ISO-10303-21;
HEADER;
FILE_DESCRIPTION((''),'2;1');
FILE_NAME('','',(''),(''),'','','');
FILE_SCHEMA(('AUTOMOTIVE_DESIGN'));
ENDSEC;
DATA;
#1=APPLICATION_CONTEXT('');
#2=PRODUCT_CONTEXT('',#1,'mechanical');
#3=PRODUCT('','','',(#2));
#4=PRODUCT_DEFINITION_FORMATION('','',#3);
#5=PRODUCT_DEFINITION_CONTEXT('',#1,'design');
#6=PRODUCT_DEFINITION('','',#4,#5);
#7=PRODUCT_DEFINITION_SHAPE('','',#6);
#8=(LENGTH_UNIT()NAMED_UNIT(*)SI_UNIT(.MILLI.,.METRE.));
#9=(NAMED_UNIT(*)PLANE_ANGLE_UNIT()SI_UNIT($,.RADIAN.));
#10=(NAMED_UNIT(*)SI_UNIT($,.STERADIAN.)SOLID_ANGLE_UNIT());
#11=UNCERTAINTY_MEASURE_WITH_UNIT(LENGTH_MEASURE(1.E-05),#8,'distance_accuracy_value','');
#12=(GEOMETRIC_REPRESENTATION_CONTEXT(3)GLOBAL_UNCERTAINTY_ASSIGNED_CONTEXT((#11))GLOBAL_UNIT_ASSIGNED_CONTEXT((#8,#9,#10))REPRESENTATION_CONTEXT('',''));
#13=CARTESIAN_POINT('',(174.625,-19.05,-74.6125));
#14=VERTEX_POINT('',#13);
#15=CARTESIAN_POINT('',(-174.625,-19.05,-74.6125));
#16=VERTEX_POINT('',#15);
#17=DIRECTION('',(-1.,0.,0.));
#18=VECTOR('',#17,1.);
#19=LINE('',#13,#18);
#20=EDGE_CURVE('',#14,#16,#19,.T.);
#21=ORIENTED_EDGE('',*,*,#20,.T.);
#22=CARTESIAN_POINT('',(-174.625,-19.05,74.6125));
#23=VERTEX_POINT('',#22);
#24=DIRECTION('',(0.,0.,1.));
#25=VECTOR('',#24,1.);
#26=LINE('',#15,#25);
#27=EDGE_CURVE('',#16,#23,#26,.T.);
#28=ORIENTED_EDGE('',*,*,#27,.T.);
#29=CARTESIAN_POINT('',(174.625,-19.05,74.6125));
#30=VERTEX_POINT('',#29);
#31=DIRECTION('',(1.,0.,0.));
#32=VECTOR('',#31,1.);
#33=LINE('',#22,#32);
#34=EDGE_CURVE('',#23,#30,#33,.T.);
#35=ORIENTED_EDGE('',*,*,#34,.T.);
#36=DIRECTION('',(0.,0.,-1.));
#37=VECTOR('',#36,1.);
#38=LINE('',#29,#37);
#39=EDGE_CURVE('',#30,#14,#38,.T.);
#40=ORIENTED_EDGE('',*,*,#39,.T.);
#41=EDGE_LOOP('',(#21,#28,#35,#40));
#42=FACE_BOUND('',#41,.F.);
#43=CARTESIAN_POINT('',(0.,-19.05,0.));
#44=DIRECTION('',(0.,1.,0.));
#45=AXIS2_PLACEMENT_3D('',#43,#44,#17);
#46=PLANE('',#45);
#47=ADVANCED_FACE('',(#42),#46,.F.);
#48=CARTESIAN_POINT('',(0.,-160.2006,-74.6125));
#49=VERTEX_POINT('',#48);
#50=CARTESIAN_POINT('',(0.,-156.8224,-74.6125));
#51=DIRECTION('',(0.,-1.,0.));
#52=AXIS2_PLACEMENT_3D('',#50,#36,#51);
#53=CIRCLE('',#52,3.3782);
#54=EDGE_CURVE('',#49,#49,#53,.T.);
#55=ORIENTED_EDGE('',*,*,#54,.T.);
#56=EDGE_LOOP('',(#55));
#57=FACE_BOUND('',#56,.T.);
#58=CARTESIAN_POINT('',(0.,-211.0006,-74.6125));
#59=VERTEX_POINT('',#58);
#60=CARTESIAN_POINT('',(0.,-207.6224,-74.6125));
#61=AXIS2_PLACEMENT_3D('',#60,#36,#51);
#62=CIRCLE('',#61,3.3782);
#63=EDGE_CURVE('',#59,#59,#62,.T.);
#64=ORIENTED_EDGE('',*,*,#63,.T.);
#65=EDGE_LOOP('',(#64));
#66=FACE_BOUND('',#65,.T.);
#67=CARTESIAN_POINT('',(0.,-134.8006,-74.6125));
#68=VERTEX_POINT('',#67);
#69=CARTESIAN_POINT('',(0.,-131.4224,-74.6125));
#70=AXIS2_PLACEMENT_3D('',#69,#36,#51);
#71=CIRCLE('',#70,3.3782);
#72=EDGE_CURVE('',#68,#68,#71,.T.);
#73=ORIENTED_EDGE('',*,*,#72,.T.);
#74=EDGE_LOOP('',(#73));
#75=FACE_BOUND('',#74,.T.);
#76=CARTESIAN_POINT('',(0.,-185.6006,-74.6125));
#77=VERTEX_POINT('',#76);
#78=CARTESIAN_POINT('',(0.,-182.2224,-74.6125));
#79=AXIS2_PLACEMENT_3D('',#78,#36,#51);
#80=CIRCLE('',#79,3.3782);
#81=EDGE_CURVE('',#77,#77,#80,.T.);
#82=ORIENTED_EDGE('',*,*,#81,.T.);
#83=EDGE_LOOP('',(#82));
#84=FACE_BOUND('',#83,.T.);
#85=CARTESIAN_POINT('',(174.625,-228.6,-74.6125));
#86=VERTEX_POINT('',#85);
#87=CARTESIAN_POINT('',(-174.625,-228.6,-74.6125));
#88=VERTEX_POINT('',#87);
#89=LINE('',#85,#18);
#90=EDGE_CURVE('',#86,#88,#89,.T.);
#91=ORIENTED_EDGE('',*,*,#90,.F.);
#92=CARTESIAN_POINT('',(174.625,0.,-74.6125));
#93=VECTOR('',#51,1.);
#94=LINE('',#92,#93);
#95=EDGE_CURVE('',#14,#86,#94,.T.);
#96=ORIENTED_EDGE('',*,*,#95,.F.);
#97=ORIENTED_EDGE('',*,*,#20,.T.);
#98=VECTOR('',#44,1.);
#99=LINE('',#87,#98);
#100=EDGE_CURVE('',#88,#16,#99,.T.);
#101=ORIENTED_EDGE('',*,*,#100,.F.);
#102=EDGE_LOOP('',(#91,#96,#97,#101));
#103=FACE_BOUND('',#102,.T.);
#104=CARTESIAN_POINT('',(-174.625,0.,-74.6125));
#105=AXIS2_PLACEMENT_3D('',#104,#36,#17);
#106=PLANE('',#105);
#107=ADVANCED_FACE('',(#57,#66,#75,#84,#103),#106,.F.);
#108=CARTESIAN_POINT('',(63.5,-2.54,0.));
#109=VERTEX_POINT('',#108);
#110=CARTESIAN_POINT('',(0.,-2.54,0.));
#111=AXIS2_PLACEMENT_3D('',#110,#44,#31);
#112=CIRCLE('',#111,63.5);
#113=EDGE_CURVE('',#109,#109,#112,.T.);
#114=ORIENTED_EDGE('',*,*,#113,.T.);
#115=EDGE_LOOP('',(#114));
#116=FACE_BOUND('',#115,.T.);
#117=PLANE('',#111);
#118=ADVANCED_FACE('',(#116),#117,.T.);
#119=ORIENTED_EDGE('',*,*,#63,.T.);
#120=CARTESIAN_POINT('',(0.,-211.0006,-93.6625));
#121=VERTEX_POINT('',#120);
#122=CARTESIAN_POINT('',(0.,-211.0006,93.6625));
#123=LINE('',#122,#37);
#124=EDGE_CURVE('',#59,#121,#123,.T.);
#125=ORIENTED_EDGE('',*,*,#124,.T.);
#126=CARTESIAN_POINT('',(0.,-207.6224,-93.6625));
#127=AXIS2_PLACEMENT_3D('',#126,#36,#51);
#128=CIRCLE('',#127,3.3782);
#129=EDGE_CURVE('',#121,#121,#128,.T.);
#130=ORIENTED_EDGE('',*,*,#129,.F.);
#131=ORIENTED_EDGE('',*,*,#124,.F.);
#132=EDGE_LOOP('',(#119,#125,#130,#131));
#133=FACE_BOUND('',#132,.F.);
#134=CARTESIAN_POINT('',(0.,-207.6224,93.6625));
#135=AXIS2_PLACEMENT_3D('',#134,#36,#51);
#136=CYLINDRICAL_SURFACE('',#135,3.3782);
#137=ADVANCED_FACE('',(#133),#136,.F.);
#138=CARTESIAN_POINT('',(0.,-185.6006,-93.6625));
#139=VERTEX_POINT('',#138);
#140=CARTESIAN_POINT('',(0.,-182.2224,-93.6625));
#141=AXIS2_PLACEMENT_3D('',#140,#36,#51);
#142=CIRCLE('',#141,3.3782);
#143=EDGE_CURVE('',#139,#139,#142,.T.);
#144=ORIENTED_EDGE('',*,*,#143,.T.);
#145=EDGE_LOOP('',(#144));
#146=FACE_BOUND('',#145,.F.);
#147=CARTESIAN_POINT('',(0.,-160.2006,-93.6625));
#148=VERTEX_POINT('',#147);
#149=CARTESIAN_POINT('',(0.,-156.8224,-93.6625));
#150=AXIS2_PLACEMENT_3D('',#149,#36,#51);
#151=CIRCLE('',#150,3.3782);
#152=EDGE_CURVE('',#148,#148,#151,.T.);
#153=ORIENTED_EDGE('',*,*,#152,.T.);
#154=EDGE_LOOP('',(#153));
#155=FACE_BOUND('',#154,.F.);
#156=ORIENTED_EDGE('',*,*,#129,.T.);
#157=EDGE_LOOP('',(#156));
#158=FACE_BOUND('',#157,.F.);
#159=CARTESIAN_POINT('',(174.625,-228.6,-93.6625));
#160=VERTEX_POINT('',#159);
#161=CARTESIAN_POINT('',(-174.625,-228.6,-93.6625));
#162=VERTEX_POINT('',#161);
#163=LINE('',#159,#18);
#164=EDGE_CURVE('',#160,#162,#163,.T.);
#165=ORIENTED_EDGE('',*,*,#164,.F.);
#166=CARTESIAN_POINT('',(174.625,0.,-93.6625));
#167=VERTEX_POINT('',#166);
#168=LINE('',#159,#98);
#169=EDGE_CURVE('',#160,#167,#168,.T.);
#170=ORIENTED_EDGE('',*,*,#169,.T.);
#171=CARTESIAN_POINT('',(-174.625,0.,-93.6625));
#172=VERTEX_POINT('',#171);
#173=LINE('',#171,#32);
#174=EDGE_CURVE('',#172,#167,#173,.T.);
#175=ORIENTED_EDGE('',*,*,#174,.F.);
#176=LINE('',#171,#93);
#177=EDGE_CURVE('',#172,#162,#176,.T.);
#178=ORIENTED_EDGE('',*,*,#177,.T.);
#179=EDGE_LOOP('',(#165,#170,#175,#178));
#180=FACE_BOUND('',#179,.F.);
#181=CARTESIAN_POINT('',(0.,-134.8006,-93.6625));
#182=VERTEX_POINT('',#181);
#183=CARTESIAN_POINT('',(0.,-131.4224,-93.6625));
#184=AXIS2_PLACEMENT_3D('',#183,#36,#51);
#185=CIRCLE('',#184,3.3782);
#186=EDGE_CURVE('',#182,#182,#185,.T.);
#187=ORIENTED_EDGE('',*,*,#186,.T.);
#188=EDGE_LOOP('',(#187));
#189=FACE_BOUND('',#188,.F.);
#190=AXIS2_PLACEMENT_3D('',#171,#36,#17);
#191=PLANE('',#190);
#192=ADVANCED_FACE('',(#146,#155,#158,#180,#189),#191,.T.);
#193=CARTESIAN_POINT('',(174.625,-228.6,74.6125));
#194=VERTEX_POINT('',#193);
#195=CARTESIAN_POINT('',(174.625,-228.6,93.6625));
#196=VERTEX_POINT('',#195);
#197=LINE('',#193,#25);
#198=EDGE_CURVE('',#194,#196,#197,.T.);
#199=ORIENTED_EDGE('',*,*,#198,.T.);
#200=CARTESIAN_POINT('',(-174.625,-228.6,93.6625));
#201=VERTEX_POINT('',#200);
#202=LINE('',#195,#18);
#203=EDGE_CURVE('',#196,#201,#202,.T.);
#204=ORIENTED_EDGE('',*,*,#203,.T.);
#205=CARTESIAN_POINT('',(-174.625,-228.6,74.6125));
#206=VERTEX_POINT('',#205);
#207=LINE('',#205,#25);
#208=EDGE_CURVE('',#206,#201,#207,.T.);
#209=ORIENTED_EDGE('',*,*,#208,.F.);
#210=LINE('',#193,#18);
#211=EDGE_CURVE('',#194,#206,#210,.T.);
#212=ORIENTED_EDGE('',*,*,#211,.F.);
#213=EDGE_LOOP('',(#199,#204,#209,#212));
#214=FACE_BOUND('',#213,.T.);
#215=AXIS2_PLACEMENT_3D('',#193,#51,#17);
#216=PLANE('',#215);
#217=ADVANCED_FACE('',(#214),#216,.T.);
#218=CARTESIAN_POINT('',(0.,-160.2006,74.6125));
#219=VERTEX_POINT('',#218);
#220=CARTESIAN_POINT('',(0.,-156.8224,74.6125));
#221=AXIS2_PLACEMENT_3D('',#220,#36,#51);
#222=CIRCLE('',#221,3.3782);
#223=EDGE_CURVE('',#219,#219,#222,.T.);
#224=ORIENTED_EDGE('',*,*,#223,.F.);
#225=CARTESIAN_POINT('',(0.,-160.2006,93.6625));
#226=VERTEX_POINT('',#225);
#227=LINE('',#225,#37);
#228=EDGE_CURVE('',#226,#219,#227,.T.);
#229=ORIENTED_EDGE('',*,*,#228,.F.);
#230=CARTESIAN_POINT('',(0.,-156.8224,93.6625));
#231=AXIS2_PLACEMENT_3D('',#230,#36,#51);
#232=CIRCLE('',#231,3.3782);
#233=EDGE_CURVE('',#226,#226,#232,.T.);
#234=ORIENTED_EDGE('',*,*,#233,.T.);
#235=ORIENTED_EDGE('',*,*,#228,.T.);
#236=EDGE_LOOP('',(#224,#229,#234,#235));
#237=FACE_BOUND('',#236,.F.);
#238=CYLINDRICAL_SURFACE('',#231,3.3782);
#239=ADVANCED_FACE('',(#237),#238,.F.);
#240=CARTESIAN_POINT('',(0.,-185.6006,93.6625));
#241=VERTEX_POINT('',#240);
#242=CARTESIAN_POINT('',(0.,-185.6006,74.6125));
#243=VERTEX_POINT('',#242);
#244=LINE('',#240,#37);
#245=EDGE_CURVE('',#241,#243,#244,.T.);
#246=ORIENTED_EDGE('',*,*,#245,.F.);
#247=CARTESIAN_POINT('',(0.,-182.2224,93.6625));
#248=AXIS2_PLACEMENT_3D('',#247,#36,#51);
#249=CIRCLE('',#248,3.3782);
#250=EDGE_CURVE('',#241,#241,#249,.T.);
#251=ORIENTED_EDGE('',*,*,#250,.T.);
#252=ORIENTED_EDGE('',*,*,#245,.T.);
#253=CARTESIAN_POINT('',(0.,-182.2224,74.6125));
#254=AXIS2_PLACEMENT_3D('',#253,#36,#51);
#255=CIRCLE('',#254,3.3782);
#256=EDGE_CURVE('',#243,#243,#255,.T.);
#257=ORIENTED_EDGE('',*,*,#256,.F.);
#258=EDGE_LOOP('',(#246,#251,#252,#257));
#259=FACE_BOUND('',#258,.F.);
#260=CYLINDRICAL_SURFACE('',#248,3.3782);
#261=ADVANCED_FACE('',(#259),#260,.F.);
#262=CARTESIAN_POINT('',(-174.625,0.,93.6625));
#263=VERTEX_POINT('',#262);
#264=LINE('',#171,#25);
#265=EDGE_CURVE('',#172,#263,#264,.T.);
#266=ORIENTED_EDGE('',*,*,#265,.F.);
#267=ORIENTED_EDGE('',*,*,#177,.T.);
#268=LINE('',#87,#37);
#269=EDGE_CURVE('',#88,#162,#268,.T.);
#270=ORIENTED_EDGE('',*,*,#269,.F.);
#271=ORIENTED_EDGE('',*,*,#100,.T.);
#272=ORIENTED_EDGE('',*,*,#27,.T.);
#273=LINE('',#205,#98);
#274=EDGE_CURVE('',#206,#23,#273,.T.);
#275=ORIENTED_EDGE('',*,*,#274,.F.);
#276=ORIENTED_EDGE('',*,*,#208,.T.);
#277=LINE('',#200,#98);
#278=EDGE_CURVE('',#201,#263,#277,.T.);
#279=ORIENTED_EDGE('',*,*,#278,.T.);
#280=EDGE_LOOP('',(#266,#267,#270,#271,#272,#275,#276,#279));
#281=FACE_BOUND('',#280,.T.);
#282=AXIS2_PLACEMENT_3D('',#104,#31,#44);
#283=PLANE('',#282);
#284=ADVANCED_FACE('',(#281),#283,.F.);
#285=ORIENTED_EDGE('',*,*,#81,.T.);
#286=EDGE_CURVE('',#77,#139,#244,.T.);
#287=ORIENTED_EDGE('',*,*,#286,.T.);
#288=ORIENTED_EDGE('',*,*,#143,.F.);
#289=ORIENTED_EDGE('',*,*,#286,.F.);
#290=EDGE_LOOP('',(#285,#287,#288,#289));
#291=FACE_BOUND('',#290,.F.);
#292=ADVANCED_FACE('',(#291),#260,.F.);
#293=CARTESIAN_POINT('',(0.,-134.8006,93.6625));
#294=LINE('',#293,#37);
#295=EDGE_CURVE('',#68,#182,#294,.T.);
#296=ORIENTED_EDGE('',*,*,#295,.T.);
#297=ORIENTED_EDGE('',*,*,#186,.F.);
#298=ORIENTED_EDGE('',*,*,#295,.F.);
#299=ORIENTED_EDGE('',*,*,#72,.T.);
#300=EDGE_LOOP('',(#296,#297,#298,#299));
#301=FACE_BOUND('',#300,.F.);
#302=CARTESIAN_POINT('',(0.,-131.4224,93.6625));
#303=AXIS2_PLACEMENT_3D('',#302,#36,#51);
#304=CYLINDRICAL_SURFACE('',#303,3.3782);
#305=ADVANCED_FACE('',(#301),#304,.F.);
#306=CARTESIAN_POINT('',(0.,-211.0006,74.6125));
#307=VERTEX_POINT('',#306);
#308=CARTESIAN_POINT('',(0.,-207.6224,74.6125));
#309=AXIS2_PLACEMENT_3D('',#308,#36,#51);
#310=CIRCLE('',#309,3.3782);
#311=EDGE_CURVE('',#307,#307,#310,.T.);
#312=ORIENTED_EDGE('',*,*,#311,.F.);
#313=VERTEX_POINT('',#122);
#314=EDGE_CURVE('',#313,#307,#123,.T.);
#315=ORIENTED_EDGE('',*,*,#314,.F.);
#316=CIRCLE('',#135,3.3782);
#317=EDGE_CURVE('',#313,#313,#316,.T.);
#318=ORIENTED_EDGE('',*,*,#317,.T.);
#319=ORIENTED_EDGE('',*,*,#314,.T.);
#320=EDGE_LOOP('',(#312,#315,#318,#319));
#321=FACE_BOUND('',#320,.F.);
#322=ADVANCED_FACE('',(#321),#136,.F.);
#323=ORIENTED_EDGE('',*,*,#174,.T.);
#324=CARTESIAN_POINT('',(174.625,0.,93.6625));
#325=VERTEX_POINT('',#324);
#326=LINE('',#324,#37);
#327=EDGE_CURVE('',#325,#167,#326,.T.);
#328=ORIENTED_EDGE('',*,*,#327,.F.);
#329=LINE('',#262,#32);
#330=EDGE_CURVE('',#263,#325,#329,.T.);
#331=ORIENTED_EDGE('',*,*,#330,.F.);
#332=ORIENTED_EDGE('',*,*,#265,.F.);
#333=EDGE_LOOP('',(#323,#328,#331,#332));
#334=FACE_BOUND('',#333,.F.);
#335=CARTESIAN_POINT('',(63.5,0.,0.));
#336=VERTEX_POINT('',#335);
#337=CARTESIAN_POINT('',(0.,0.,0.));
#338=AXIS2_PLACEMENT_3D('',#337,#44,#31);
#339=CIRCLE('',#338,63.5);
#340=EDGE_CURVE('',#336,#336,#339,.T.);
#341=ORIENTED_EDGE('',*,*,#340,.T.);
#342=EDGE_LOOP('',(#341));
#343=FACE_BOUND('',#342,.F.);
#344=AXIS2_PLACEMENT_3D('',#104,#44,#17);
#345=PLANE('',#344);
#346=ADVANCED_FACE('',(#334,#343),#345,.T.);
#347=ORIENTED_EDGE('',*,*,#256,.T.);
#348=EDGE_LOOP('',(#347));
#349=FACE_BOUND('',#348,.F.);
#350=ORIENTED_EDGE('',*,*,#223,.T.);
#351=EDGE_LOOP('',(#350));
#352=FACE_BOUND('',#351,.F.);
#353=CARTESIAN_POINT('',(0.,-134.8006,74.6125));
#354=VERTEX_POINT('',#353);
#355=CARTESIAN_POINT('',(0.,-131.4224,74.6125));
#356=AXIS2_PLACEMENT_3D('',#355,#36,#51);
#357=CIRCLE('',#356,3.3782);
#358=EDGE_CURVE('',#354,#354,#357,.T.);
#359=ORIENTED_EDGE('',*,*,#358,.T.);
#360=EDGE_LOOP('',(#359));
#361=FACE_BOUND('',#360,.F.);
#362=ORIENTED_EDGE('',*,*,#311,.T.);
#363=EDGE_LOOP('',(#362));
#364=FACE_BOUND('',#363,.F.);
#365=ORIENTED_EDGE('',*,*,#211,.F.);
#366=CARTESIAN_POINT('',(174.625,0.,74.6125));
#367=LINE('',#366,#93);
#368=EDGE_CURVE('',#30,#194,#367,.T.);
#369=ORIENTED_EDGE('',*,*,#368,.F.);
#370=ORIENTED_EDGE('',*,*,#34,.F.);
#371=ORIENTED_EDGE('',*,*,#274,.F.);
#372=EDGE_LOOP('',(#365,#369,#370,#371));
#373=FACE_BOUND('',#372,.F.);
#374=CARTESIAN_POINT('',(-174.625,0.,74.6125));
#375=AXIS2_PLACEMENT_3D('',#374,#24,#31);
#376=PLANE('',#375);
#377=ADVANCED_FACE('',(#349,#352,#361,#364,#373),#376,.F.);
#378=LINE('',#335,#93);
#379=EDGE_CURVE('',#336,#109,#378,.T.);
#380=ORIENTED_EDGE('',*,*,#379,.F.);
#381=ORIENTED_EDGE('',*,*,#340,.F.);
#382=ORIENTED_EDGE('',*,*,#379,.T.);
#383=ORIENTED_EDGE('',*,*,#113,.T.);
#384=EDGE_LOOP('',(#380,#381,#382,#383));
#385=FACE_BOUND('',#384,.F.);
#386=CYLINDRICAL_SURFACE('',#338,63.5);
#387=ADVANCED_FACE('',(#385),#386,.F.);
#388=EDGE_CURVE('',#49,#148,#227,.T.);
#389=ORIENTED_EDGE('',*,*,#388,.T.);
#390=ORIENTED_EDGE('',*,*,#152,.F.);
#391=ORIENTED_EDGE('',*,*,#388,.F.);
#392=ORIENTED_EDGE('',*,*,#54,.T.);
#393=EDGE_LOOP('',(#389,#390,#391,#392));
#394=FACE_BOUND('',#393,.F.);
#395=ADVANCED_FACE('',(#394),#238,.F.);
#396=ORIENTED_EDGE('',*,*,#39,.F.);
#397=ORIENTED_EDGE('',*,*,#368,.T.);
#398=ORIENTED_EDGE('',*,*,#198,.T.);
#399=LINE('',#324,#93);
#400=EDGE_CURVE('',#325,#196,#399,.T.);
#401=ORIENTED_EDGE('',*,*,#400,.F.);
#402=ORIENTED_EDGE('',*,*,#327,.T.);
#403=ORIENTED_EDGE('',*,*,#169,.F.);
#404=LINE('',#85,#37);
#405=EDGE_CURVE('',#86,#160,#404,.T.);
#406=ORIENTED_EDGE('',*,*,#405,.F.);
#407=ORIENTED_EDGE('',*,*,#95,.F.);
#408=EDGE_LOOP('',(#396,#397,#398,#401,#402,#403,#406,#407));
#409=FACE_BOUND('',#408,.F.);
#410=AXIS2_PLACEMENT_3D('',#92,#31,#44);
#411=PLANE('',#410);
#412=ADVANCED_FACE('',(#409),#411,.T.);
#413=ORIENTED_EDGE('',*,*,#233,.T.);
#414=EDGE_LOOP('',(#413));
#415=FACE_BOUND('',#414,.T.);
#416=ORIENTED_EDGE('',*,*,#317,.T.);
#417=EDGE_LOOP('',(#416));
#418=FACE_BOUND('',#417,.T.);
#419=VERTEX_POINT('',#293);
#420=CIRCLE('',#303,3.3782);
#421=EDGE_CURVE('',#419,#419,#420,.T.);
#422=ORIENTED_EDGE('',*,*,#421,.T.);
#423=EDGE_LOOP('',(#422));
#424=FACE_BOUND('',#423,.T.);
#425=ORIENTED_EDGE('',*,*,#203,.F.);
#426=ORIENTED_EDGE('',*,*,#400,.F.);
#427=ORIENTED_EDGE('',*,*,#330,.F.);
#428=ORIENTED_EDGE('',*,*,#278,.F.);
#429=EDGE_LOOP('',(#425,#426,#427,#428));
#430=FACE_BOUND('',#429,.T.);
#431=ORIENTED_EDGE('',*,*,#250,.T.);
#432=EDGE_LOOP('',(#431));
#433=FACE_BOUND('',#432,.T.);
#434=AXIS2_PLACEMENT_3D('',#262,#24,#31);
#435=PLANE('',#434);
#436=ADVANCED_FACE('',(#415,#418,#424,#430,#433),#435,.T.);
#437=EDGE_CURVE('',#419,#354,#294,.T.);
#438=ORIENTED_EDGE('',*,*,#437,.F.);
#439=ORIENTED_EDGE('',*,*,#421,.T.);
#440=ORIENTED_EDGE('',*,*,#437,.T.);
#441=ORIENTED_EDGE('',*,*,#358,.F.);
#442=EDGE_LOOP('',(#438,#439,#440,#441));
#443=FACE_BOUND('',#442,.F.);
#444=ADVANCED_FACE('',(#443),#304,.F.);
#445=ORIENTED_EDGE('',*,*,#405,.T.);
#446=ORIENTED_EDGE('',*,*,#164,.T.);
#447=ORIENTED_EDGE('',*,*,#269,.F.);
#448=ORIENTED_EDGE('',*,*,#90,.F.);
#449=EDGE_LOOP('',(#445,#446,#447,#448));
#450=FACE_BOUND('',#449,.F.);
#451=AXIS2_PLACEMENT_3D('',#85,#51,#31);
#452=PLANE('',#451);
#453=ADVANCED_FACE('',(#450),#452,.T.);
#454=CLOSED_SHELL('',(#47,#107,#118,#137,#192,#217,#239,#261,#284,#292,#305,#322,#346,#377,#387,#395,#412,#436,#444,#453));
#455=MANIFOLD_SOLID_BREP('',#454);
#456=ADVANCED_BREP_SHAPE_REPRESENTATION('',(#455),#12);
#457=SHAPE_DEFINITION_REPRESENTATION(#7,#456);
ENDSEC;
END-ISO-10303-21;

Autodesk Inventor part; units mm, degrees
ref_plane "YZ Plane" through (0, 0, 0) normal (1, 0, 0) x (0, 1, 0)
ref_plane "XZ Plane" through (0, 0, 0) normal (0, 1, 0) x (-1, 0, 0)
ref_plane "XY Plane" through (0, 0, 0) normal (0, 0, 1) x (1, 0, 0)
sketch "Sketch1" plane through (0, 0, 0) normal (0, 1, 0) x (-1, 0, 0)
  line L0 (174.625, 74.6125) -> (-174.625, 74.6125)
  line L1 (-174.625, 74.6125) -> (-174.625, -74.6125)
  line L2 (-174.625, -74.6125) -> (174.625, -74.6125)
  line L3 (174.625, -74.6125) -> (174.625, 74.6125)
  line L4 (174.625, 74.6125) -> (-174.625, -74.6125) construction
  line L5 (-174.625, 74.6125) -> (174.625, -74.6125) construction
  point P0 (0, 0)
  dimension "d0" = 149.225
  dimension "d4" = 349.25
extrude "Extrusion1" add sketch "Sketch1" against normal blind 19.05
sketch "Sketch3" plane through (-174.625, 0, 74.6125) normal (0, 0, 1) x (1, 0, 0)
  line L0 (0, 0) -> (349.25, 0) projected
  line L1 (0, 0) -> (0, -19.05) projected
  line L2 (349.25, 0) -> (349.25, -19.05) projected
  line L3 (0, 0) -> (349.25, 0)
  line L4 (349.25, 0) -> (349.25, -228.6)
  line L5 (349.25, -228.6) -> (0, -228.6)
  line L6 (0, -228.6) -> (0, 0)
  point P0 (174.625, 0)
  dimension "d5" = 228.6
extrude "Extrusion2" add sketch "Sketch3" along normal blind 19.05
mirror "Mirror1" about plane through (0, 0, 0) normal (0, 0, 1) of "Extrusion2"
sketch "Sketch4" plane through (-174.625, 0, 93.6625) normal (0, 0, 1) x (1, 0, 0)
  line L0 (174.625, 0) -> (174.625, -228.6) construction
  line L1 (0, -228.6) -> (349.25, -228.6) construction
  point P0 (174.625, -207.6224)
hole "Hole1" at (0, -207.6224, 93.6625) direction (0, 0, -1) diameter 6.7564 end through all clearance for "Flat Head Machine Screw (82)" size "1/4" standard "Ansi Unified Screw Threads"
pattern_linear "Rectangular Pattern1" count 4 spacing 25.4 along (0, 1, 0) of "Hole1"
sketch "Sketch5" plane through (0, 0, 0) normal (0, 1, 0) x (1, 0, 0)
  circle A0 centre (0, 0) radius 63.5
  dimension "d18" = 127
extrude "Extrusion3" cut sketch "Sketch5" against normal blind 2.54
equation "\"d0\" = widthTopBoard"
equation "\"d4\" = lengthTopBoard"
equation "\"d1\" = woodThickness"
equation "\"d6\" = woodThickness"
equation "\"widthTopBoard\" = 149.225"
equation "\"lengthTopBoard\" = 349.25"
equation "\"woodThickness\" = 19.05"
properties part number "woodBracketForCamera" material "Wood (Birch)"
